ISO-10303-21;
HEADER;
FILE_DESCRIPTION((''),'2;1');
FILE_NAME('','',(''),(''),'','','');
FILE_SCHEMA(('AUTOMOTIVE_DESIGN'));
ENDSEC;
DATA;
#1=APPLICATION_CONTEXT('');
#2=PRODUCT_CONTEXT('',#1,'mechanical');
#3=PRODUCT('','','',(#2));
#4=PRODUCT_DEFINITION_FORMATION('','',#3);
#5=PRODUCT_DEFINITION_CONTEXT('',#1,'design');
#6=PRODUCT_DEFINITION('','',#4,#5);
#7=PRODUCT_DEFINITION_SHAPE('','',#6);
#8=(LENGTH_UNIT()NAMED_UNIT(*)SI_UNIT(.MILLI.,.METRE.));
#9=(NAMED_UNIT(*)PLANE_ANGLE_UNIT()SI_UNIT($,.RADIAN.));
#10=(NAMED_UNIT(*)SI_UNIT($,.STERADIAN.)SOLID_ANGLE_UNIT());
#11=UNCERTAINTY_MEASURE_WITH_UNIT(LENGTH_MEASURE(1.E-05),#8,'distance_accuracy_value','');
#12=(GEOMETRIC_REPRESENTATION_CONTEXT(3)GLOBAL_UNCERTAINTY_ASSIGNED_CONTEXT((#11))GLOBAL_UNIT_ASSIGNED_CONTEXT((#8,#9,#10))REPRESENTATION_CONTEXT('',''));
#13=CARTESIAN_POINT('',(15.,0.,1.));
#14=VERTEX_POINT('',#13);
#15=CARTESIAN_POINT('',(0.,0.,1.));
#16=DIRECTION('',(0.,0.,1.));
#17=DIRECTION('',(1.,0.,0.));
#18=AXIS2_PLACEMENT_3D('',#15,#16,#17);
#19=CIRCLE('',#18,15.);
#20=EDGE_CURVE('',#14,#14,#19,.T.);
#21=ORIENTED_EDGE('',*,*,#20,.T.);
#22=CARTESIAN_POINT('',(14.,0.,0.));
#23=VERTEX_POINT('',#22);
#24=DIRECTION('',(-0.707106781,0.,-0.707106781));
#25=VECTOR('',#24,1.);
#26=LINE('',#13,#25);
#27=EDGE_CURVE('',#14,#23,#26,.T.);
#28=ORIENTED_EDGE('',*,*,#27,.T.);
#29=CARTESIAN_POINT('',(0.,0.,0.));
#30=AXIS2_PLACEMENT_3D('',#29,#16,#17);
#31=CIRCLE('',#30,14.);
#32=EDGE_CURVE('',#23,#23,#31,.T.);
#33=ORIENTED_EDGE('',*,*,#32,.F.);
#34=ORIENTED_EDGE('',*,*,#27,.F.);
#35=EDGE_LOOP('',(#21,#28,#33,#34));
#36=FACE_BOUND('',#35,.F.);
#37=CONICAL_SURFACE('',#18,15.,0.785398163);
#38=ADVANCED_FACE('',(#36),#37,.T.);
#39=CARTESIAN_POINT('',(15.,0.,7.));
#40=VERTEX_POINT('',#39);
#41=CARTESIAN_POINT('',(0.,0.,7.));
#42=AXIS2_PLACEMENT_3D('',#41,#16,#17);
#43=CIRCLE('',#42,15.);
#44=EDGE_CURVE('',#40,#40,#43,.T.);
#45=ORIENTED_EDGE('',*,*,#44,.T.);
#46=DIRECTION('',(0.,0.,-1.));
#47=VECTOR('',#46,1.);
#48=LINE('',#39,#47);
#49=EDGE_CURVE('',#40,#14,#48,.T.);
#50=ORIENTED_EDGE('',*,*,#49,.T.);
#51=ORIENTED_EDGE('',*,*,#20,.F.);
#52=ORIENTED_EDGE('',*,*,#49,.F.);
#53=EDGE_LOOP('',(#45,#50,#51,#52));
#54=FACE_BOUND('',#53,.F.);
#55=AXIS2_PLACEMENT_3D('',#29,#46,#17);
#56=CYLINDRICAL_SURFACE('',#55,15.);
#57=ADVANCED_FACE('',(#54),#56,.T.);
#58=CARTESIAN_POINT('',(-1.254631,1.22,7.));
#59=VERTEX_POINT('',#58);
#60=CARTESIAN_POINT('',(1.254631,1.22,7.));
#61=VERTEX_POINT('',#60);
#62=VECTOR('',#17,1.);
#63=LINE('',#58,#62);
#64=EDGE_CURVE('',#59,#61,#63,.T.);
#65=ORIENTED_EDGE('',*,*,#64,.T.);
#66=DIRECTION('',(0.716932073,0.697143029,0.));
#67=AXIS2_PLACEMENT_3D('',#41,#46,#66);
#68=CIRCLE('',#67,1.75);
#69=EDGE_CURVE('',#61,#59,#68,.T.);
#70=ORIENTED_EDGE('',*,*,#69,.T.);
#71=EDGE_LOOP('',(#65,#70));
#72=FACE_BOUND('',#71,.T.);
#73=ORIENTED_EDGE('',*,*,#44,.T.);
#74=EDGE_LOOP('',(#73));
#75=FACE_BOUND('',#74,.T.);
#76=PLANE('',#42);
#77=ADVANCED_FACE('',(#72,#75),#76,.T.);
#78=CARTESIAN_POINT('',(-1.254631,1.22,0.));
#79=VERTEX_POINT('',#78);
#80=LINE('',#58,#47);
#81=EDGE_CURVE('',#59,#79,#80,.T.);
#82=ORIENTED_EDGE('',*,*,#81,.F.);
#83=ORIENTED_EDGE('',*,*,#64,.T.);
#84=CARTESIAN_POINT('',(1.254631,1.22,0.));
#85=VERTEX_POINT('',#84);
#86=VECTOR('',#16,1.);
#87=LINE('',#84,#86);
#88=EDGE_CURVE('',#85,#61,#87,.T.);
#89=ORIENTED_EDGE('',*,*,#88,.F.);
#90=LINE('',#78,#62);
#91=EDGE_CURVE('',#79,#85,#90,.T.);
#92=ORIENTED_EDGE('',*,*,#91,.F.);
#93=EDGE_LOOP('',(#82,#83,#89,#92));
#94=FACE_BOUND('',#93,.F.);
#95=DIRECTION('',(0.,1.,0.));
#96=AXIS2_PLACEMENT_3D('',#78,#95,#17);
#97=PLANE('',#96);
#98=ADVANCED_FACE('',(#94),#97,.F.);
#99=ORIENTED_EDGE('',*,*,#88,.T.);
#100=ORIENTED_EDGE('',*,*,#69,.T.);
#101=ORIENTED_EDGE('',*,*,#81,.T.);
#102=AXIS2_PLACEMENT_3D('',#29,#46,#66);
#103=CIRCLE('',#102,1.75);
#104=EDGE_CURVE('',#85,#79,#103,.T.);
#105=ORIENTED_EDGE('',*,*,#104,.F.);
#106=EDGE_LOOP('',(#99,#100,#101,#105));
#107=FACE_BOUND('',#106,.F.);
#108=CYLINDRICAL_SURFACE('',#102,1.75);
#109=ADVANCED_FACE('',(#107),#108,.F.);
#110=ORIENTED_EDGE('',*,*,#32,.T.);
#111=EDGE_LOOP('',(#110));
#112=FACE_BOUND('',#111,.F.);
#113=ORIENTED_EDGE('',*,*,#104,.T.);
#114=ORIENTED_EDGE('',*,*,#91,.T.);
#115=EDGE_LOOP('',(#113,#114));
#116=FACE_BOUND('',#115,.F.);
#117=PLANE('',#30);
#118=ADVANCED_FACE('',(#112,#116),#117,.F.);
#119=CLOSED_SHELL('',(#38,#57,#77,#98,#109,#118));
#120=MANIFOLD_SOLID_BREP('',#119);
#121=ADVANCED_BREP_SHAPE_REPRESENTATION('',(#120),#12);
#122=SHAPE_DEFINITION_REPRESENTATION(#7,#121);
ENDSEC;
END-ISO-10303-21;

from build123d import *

# Parameters (mm, degrees)
F0_R     = 15
F1_DEPTH = 7
F2_DEPTH = 5
F3_SIZE  = 1


with BuildPart() as f1:
    # F0 (on Top) → F1 (new body)
    with BuildSketch(Plane.XY):
        Circle(F0_R)
        with BuildLine():
            ThreePointArc((1.254631, 1.22), (0, -1.75), (-1.254631, 1.22))
            Line((-1.254631, 1.22), (1.254631, 1.22))
        make_face(mode=Mode.SUBTRACT)
    extrude(amount=F1_DEPTH)

    # F0 (on Top) → F2 (join)
    with BuildSketch(Plane.XY):
        Circle(F0_R)
        with BuildLine():
            ThreePointArc((1.254631, 1.22), (0, -1.75), (-1.254631, 1.22))
            Line((-1.254631, 1.22), (1.254631, 1.22))
        make_face(mode=Mode.SUBTRACT)
    extrude(amount=F2_DEPTH)

    # F3
    f3_edges = [f1.edges().sort_by_distance(p)[0] for p in [
        (-15, 0, 0),
    ]]
    chamfer(f3_edges, length=F3_SIZE)


solid = f1.part
